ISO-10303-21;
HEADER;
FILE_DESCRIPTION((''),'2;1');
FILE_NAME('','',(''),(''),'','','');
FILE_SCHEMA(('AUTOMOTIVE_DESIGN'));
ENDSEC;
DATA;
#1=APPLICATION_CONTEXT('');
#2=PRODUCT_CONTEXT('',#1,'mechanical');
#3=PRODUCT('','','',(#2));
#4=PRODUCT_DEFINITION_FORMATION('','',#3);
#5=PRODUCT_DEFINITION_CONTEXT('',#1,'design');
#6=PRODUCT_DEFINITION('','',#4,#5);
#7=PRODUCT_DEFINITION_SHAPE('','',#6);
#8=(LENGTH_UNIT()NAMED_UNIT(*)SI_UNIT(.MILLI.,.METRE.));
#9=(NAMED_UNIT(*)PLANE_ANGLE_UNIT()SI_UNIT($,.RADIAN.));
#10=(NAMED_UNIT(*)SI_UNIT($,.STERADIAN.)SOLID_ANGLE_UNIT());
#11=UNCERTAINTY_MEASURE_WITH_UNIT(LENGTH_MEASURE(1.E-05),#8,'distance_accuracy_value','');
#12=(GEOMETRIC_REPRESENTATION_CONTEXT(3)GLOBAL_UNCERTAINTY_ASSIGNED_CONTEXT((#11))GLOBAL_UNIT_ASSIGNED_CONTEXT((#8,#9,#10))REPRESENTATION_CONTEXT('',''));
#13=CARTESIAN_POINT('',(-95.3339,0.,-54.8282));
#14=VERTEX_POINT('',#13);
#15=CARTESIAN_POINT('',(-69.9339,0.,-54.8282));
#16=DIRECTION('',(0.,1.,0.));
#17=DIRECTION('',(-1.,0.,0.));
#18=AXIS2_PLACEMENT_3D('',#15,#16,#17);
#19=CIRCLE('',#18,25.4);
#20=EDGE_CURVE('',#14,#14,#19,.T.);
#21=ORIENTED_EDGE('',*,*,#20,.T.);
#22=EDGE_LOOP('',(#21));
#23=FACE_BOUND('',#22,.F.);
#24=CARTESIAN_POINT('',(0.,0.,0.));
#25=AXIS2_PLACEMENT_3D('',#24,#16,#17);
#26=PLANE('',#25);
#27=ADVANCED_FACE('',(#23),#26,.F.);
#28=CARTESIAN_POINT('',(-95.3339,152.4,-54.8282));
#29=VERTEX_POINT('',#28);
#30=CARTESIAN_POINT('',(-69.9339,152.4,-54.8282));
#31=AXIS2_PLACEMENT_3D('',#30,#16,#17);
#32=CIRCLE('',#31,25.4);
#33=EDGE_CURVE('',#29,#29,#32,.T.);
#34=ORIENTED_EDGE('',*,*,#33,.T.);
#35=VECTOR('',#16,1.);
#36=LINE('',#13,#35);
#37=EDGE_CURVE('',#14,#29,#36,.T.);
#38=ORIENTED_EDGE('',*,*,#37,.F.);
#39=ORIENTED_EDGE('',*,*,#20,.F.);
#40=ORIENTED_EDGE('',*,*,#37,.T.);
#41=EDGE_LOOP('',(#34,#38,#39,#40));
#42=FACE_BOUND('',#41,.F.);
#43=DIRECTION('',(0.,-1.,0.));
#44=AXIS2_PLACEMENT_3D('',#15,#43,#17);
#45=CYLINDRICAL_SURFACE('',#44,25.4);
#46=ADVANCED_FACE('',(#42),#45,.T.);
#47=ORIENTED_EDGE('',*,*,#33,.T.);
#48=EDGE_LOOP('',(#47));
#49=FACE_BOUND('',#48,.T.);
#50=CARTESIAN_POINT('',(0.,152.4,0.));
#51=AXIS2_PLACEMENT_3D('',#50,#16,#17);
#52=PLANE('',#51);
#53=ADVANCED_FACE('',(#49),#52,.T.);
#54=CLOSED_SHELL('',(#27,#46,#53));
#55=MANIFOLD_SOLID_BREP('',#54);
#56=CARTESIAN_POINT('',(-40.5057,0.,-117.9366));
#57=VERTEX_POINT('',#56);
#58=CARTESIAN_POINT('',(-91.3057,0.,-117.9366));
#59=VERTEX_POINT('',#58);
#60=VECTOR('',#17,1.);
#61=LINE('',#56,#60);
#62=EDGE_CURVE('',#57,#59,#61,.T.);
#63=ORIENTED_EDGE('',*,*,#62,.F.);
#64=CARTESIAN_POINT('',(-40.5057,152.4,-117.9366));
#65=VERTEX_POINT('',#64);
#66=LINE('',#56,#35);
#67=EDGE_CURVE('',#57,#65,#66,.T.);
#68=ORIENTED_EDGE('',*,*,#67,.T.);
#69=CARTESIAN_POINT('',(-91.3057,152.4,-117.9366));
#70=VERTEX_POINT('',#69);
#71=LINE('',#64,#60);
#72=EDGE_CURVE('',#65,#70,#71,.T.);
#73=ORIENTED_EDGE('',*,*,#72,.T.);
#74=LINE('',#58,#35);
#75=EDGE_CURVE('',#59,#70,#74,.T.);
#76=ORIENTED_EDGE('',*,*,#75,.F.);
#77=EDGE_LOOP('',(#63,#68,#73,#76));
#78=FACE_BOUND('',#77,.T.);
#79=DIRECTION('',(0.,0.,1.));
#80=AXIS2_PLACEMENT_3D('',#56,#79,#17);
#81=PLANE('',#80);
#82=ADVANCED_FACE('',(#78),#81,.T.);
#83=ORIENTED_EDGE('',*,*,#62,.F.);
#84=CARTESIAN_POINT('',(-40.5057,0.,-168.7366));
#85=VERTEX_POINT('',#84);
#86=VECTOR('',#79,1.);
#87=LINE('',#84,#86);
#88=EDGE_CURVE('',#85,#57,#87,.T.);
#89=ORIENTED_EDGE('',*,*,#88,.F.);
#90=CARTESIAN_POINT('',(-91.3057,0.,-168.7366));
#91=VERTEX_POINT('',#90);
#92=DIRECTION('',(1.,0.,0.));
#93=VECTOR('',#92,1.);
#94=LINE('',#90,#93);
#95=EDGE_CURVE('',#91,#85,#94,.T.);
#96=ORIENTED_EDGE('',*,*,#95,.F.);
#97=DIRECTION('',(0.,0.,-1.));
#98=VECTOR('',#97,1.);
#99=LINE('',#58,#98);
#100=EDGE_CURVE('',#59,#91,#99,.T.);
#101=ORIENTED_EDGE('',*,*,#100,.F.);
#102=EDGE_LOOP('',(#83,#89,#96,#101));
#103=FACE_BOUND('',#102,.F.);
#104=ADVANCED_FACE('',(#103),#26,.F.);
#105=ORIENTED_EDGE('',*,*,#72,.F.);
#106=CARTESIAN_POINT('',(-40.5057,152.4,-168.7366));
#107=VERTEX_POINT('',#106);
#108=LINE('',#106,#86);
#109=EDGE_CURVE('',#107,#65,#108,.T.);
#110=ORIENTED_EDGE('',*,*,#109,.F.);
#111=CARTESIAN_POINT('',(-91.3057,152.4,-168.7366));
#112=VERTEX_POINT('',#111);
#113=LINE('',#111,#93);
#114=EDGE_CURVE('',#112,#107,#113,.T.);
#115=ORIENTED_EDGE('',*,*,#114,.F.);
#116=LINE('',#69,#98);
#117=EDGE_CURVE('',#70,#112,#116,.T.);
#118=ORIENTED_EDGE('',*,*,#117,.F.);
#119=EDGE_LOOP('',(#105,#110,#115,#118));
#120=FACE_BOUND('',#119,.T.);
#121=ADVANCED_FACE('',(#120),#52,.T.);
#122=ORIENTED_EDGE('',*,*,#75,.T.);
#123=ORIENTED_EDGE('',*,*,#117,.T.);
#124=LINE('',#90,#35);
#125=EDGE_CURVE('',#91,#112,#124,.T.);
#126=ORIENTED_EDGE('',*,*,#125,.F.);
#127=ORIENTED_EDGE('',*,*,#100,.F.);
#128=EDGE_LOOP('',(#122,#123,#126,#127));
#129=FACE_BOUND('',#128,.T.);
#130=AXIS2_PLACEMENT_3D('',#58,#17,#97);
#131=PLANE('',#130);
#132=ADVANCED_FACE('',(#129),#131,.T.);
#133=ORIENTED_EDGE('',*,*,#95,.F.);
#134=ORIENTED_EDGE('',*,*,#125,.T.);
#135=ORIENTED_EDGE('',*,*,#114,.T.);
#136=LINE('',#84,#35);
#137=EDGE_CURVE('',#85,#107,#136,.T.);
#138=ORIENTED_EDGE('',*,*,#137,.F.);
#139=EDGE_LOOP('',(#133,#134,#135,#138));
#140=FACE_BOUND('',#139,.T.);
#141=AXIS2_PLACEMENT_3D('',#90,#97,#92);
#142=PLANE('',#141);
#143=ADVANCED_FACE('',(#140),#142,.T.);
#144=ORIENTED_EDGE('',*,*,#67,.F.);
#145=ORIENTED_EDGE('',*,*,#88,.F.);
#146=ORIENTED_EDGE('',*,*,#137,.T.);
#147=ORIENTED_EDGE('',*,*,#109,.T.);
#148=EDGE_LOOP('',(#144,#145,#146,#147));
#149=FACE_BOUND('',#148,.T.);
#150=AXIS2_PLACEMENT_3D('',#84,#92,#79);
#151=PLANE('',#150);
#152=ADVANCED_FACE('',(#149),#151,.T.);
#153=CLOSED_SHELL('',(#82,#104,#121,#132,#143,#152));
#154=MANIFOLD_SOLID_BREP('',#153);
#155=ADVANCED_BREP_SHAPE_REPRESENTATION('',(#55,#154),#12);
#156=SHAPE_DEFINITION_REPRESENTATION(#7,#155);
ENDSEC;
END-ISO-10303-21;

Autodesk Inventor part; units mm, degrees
ref_plane "YZ Plane" through (0, 0, 0) normal (1, 0, 0) x (0, 1, 0)
ref_plane "XZ Plane" through (0, 0, 0) normal (0, 1, 0) x (-1, 0, 0)
ref_plane "XY Plane" through (0, 0, 0) normal (0, 0, 1) x (1, 0, 0)
sketch "Sketch1" plane through (0, 0, 0) normal (0, 1, 0) x (-1, 0, 0)
  line L0 (40.5057, -117.9366) -> (91.3057, -117.9366)
  line L1 (91.3057, -117.9366) -> (91.3057, -168.7366)
  line L2 (91.3057, -168.7366) -> (40.5057, -168.7366)
  line L3 (40.5057, -168.7366) -> (40.5057, -117.9366)
  circle A0 centre (69.9339, -54.8282) radius 25.4
  point P0 (0, 0)
  dimension "d0" = 50.8
  dimension "d1" = 50.8
  dimension "d2" = 50.8
extrude "Extrusion1" add sketch "Sketch1" along normal blind 152.4
properties part number "pegs"
